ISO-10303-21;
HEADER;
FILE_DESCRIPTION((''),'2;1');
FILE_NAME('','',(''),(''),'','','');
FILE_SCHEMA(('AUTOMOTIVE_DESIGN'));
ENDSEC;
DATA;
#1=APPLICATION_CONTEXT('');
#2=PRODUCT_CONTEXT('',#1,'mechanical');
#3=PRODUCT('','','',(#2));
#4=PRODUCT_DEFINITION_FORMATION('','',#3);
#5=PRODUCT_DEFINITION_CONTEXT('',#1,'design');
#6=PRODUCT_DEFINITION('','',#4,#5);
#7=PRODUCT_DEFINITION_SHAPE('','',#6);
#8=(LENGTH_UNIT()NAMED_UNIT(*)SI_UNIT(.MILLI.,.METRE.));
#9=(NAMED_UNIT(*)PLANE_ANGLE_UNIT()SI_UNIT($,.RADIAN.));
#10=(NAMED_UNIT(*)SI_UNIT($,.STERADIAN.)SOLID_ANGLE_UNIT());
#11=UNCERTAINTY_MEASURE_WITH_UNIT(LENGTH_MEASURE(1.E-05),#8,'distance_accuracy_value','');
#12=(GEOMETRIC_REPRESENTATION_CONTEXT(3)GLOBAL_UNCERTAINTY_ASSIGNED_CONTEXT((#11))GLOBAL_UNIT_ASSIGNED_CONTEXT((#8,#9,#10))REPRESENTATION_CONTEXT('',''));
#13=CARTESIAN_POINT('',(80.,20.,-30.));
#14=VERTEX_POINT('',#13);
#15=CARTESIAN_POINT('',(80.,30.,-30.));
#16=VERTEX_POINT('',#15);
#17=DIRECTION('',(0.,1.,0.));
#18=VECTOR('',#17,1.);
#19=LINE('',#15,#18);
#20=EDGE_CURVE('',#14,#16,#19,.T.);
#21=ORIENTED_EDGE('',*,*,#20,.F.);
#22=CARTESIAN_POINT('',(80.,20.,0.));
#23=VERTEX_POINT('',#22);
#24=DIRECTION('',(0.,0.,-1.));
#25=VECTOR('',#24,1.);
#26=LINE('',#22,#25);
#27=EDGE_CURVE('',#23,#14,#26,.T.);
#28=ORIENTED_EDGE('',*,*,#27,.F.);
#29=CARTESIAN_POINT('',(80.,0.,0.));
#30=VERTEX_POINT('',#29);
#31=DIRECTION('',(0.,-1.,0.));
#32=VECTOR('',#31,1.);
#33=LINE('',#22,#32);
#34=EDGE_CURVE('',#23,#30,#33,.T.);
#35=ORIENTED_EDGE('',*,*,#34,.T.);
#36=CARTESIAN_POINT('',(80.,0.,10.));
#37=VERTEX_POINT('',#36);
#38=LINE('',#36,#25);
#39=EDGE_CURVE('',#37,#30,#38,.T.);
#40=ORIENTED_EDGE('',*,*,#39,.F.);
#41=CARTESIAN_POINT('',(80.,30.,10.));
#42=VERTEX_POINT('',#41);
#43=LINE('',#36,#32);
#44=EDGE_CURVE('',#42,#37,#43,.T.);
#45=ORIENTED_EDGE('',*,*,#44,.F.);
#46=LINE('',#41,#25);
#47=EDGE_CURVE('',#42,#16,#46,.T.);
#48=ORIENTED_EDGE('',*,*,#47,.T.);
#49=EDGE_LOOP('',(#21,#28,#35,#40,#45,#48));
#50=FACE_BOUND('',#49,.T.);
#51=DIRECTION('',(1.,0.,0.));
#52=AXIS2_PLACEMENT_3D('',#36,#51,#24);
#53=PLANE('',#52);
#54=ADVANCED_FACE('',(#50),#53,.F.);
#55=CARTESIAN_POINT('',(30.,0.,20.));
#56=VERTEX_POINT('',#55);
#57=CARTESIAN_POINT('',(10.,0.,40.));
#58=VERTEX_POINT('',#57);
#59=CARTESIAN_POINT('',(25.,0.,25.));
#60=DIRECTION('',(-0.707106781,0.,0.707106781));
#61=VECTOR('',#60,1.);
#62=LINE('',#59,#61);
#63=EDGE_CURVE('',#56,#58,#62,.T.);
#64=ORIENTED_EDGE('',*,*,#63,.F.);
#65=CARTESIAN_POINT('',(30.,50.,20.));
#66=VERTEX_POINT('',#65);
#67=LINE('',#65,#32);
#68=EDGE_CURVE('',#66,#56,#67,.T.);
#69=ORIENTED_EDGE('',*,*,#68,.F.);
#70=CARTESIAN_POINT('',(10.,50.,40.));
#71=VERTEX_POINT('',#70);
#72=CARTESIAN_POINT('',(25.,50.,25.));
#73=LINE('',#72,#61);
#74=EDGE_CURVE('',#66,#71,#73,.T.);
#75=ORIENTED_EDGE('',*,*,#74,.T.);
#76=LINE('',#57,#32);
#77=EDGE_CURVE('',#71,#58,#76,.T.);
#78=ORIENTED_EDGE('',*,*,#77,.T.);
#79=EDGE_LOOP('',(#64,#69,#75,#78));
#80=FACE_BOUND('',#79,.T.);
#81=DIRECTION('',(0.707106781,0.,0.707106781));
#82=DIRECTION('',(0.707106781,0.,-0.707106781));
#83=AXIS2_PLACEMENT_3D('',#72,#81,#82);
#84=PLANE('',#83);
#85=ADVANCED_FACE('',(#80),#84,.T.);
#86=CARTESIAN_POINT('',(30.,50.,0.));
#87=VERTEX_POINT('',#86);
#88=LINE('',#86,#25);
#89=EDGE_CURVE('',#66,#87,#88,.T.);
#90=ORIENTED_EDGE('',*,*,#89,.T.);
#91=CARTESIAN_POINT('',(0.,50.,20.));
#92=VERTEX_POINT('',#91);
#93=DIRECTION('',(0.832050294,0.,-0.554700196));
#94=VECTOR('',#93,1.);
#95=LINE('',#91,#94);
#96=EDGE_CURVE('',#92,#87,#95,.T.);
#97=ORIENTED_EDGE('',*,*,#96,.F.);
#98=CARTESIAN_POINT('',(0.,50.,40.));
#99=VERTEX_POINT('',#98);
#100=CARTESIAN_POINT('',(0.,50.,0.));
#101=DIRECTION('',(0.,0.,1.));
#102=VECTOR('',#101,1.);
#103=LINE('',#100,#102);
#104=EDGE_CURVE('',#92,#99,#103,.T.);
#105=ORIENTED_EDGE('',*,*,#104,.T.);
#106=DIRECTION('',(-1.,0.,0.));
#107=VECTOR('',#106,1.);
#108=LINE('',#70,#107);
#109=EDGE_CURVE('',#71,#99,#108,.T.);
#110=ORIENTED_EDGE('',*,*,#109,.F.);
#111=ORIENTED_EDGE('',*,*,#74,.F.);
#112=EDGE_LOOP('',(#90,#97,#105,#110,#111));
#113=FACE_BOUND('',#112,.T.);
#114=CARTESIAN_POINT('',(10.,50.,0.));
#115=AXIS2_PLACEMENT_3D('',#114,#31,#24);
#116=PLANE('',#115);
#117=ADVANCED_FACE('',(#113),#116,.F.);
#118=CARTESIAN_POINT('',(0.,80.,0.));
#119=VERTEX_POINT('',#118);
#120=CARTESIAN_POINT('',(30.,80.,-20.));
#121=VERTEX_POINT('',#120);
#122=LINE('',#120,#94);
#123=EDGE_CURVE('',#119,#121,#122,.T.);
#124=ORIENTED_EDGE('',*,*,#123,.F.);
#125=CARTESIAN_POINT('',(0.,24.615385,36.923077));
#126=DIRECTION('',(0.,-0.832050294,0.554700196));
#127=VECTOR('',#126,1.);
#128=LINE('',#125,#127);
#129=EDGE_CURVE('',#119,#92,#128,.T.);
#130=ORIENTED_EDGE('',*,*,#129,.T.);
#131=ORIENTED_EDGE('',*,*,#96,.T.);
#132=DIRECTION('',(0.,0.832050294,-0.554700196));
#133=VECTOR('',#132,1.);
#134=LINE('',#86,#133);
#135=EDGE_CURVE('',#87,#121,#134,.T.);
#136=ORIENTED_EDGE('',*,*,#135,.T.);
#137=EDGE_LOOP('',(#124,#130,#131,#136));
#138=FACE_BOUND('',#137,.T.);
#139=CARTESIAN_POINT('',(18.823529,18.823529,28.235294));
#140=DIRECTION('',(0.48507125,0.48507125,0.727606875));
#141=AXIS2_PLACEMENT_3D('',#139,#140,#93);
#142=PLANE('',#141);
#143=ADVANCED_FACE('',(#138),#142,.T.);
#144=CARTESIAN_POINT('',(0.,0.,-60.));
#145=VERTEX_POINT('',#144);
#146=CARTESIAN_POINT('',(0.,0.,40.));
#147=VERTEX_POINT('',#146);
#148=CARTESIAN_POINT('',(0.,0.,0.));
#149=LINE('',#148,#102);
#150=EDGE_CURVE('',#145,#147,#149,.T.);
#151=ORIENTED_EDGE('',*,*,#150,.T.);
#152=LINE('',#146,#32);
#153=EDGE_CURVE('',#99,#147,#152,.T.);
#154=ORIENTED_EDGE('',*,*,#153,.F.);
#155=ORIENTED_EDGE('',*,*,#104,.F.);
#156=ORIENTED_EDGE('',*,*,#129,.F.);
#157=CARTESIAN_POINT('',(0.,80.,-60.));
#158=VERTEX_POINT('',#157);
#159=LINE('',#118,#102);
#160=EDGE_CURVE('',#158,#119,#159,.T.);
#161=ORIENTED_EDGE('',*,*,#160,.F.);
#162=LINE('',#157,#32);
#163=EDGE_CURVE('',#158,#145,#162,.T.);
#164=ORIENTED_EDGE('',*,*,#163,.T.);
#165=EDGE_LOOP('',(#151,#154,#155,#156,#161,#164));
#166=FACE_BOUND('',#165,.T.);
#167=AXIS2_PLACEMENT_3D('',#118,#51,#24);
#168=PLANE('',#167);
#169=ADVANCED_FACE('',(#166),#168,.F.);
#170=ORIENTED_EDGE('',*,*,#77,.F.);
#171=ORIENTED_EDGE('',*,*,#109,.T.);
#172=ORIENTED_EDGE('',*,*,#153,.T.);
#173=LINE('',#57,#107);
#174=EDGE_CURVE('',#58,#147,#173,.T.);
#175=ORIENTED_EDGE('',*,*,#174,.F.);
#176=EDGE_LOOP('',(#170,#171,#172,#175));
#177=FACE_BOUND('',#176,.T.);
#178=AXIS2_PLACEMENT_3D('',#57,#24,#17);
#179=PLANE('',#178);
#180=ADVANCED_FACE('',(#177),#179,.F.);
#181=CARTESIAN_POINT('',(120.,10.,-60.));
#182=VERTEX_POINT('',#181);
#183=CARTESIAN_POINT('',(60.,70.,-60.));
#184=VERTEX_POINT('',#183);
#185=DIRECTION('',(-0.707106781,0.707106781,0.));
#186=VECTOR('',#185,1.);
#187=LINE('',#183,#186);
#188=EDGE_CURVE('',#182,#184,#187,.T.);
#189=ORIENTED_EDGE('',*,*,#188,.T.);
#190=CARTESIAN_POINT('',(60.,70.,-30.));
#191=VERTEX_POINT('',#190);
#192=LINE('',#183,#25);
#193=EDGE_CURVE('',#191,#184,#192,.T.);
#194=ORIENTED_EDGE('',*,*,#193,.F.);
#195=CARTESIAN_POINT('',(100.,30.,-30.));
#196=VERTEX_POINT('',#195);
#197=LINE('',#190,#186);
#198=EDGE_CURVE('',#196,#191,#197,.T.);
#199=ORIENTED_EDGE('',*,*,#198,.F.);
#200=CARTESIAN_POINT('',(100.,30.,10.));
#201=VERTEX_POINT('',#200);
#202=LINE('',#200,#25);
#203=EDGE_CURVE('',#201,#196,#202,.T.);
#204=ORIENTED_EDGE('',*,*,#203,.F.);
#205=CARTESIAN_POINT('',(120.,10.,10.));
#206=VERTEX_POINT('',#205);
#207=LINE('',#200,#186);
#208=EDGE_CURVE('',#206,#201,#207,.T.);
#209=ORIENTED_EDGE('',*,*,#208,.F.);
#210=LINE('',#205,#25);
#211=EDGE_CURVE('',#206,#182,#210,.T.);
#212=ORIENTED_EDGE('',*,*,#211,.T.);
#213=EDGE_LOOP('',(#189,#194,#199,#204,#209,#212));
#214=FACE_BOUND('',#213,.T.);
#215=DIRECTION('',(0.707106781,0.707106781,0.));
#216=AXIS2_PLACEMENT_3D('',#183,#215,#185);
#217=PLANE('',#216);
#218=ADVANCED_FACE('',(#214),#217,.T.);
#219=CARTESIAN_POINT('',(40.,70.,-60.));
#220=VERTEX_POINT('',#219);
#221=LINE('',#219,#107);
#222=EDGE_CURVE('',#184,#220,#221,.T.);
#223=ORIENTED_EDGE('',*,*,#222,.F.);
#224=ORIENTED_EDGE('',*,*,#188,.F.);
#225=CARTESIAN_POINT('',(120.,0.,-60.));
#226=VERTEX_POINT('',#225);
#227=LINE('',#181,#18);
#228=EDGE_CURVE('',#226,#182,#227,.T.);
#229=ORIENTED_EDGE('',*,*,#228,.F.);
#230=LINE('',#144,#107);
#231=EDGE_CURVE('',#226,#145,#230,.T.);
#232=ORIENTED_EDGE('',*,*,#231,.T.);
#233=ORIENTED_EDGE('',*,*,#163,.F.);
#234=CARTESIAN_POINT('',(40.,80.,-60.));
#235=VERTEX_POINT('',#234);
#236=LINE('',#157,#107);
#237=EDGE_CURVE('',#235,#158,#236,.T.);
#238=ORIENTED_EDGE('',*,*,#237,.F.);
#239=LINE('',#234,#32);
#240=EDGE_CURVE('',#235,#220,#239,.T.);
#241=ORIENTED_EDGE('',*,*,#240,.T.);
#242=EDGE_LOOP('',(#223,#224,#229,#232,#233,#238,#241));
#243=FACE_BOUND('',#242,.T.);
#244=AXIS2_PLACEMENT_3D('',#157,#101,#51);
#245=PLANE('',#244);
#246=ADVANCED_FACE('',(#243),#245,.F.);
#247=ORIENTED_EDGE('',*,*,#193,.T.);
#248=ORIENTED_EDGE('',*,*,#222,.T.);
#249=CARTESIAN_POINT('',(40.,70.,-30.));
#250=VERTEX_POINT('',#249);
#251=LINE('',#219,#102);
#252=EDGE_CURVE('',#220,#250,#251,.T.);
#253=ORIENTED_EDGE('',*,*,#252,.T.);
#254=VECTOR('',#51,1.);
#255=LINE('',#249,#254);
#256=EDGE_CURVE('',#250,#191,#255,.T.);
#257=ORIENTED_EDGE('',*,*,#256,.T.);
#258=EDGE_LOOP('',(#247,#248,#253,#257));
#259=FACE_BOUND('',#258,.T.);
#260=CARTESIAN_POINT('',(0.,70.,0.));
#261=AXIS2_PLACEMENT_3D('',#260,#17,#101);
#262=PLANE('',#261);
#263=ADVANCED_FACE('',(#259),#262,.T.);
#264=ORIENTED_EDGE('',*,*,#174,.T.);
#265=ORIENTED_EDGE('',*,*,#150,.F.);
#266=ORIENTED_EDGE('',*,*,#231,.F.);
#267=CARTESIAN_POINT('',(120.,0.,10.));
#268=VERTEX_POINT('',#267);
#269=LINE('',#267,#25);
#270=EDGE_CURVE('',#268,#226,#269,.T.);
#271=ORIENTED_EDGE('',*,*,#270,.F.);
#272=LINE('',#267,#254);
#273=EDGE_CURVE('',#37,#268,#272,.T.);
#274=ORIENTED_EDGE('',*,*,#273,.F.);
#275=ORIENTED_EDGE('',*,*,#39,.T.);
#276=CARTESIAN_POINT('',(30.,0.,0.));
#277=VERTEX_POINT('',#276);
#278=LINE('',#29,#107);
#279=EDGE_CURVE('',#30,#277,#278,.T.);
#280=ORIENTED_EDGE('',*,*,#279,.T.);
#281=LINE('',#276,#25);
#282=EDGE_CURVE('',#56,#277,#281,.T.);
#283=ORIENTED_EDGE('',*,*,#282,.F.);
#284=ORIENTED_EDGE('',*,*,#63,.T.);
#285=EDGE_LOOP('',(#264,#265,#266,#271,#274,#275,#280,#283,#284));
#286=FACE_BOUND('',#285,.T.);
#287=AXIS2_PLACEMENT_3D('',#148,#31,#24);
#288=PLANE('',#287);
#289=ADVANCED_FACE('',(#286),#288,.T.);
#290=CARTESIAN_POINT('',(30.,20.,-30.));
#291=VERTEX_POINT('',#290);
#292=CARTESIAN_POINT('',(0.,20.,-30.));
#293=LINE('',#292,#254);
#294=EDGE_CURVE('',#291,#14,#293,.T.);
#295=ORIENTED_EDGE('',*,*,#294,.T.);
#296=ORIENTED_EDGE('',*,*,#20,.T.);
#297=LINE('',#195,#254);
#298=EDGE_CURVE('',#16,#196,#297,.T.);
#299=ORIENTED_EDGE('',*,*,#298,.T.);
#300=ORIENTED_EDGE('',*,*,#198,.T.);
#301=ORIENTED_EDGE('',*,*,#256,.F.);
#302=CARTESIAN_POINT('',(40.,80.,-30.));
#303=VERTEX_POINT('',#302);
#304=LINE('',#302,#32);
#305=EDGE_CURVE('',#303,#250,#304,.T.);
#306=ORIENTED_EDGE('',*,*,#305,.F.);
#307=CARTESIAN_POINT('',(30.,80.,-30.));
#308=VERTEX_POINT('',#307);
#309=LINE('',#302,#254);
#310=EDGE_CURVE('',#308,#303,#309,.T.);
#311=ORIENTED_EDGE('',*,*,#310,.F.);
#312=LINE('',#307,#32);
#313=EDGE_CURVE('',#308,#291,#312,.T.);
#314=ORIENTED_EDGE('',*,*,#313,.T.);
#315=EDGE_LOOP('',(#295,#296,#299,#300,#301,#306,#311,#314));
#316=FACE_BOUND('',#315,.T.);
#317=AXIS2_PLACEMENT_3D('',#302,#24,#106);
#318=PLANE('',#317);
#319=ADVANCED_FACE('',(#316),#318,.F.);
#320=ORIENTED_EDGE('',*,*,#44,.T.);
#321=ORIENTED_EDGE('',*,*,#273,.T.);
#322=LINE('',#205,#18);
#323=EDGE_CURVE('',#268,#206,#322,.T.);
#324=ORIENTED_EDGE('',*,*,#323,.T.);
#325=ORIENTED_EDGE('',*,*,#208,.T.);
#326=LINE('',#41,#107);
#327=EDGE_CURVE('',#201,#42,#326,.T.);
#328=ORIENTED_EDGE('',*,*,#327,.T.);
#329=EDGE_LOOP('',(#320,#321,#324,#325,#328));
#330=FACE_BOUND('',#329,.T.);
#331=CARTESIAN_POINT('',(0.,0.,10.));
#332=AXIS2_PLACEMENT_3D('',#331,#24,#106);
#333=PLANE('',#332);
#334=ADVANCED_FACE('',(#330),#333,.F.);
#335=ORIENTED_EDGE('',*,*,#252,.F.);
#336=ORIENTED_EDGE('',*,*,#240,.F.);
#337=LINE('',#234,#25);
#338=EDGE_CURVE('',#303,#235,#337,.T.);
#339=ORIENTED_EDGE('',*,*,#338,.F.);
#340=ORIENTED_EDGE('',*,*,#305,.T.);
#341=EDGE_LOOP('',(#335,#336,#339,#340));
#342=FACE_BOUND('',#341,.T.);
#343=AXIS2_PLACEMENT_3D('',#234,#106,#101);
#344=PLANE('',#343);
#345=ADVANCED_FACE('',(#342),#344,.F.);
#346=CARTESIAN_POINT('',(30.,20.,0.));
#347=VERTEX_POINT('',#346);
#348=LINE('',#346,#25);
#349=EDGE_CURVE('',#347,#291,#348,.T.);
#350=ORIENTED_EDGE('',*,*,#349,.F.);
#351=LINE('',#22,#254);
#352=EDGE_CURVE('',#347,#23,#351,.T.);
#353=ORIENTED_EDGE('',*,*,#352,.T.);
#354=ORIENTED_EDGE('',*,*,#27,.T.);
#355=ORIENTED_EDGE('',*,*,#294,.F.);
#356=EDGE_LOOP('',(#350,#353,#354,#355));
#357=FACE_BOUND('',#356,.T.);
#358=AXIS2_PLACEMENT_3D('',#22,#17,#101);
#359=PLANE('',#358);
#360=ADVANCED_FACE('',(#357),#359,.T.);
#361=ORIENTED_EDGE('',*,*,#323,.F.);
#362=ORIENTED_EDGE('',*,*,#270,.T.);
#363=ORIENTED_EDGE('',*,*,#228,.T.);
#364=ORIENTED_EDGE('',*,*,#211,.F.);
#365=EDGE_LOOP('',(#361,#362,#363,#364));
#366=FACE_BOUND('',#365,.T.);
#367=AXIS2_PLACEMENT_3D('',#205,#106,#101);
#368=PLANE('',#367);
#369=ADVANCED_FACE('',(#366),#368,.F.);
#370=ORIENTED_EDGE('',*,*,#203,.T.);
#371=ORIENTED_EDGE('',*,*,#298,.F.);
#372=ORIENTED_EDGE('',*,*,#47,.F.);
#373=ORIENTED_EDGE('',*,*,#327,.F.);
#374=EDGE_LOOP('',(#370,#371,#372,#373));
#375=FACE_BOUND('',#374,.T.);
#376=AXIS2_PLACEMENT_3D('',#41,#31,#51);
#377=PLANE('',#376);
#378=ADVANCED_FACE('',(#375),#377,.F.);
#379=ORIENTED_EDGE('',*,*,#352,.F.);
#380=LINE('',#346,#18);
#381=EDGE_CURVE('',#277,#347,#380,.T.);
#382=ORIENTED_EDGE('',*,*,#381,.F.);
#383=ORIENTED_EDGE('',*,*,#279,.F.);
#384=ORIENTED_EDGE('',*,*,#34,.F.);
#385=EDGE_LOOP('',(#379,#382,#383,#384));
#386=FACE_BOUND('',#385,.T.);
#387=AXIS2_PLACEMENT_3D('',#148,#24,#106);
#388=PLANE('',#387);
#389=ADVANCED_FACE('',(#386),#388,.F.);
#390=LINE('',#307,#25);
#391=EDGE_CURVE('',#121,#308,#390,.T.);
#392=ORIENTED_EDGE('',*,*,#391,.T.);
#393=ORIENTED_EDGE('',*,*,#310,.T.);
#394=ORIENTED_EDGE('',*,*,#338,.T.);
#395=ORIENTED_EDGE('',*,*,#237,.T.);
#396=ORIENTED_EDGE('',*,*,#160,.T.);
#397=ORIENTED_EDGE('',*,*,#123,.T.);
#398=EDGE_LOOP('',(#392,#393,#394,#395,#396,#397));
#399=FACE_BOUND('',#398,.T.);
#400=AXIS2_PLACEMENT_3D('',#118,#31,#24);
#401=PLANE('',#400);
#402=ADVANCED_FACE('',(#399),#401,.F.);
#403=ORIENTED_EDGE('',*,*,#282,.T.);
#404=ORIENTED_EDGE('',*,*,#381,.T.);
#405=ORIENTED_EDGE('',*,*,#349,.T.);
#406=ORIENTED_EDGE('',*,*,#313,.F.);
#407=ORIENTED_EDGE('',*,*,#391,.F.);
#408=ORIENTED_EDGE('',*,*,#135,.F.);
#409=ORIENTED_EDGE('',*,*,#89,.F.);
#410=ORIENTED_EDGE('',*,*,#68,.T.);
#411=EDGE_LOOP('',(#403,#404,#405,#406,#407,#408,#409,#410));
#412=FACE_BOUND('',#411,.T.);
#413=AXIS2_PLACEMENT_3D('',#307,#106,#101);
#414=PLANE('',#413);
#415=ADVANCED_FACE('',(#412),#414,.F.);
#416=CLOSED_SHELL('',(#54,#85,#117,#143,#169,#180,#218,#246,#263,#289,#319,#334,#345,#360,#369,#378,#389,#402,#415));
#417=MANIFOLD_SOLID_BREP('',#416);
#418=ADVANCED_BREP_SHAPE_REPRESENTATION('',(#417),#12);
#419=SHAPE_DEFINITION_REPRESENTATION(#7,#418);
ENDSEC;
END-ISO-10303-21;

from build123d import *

# Parameters (mm, degrees)
BOSS_EXTRUDE1_DEPTH       = 80
SKETCH2_W                 = 60
SKETCH2_H                 = 80
BOSS_EXTRUDE6_DEPTH       = 10
CUT_EXTRUDE3_DEPTH        = 149
BOSS_EXTRUDE7_DEPTH       = 20
SKETCH11_W                = 100
SKETCH11_H                = 80
CUT_EXTRUDE4_DEPTH        = 20
CUT_EXTRUDE5_DEPTH        = 20
SKETCH14_W                = 24.037008503
SKETCH14_H                = 50
CUT_EXTRUDE6_DEPTH        = 29
SKETCH15_W                = 46.666666667
SKETCH15_H                = 50
CUT_EXTRUDE7_DEPTH        = 29
SKETCH16_W                = 20
SKETCH16_H                = 30
BOSS_EXTRUDE8_DEPTH       = 70
BOSS_EXTRUDE10_DEPTH      = 30
SKETCH21_W                = 43.205783384
SKETCH21_H                = 74.052806938
CUT_EXTRUDE9_DEPTH        = 30
SKETCH22_W                = 30
SKETCH22_H                = 20
CUT_EXTRUDE10_DEPTH       = 30
BOSS_EXTRUDE11_DEPTH      = 30
BOSS_EXTRUDE12_DEPTH      = 40
BOSS_EXTRUDE12_DEPTH_BACK = 30
SKETCH25_W                = 50
SKETCH25_H                = 20
BOSS_EXTRUDE13_DEPTH      = 60
BOSS_EXTRUDE16_DEPTH      = 50
BOSS_EXTRUDE17_DEPTH      = 20


with BuildPart() as part:
    # Sketch1 → Boss-Extrude1 (new body)
    with BuildSketch(Plane(origin=(0, 0, 0), x_dir=(1, 0, 0), z_dir=(0, 1, 0))):
        Polygon((0, 0), (0, 60), (40, 60), (40, 30), (30, 30), (30, 20), align=None)
    extrude(amount=BOSS_EXTRUDE1_DEPTH)

    # Sketch2 → Boss-Extrude6 (add)
    with BuildSketch(Plane.ZY):
        with Locations((-30, 40)):
            Rectangle(SKETCH2_W, SKETCH2_H)
        Polygon((40, 0), (0, 0), (0, 80), (20, 50), (40, 50), align=None)
    extrude(amount=-BOSS_EXTRUDE6_DEPTH)

    # Sketch8 → Cut-Extrude3 (cut)
    with BuildSketch(Plane(origin=(18.823529412, 18.823529412, 28.235294118), x_dir=(0.874474632, -0.269069118, -0.403603676), z_dir=(0.48507125, 0.48507125, 0.727606875))):
        Polygon((-21.525529408, 30.508510792), (12.780783086, 41.602514717), (12.780783086, 77.658027472), (-21.525529408, 66.564023547), align=None)
    extrude(amount=CUT_EXTRUDE3_DEPTH, mode=Mode.SUBTRACT)

    # Sketch10 → Boss-Extrude7 (add)
    with BuildSketch(Plane(origin=(18.823529412, 18.823529412, 28.235294118), x_dir=(0.874474632, -0.269069118, -0.403603676), z_dir=(0.48507125, 0.48507125, 0.727606875))):
        Polygon((-21.525529408, 30.508510792), (12.780783086, 41.602514717), (12.780783086, 77.658027472), (-21.525529408, 66.564023547), align=None)
    extrude(amount=-BOSS_EXTRUDE7_DEPTH)

    # Sketch11 → Cut-Extrude4 (cut)
    with BuildSketch(Plane.ZY):
        with Locations((-10, 40)):
            Rectangle(SKETCH11_W, SKETCH11_H)
    extrude(amount=CUT_EXTRUDE4_DEPTH, mode=Mode.SUBTRACT)

    # Sketch12 → Cut-Extrude5 (cut)
    with BuildSketch(Plane(origin=(0, 50, 0), x_dir=(1, 0, 0), z_dir=(0, 1, 0))):
        Polygon((0, -20), (10, -13.333333333), (10, -40), (0, -40), align=None)
    extrude(amount=CUT_EXTRUDE5_DEPTH, mode=Mode.SUBTRACT)

    # Sketch14 → Cut-Extrude6 (cut)
    with BuildSketch(Plane(origin=(0, 0, 0), x_dir=(0.832050294, 0, -0.554700196), z_dir=(0.554700196, 0, 0.832050294))):
        with Locations((24.037008504, 25)):
            Rectangle(SKETCH14_W, SKETCH14_H)
    extrude(amount=CUT_EXTRUDE6_DEPTH, mode=Mode.SUBTRACT)

    # Sketch15 → Cut-Extrude7 (cut)
    with BuildSketch(Plane(origin=(10, 0, 0), x_dir=(0, 0, -1), z_dir=(1, 0, 0))):
        with Locations((-16.666666666, 25)):
            Rectangle(SKETCH15_W, SKETCH15_H)
    extrude(amount=CUT_EXTRUDE7_DEPTH, mode=Mode.SUBTRACT)

    # Sketch16 → Boss-Extrude8 (add)
    with BuildSketch(Plane(origin=(0, 70, 0), x_dir=(1, 0, 0), z_dir=(0, 1, 0))):
        with Locations((50, 45)):
            Rectangle(SKETCH16_W, SKETCH16_H)
    extrude(amount=-BOSS_EXTRUDE8_DEPTH)

    # Sketch17 → Boss-Extrude10 (add)
    with BuildSketch(Plane(origin=(0, 0, -60), x_dir=(-1, 0, 0), z_dir=(0, 0, -1))):
        Polygon((-80, 10), (-80, 0), (-60, 0), (-60, 70), (-100, 10), align=None)
    extrude(amount=-BOSS_EXTRUDE10_DEPTH)

    # Sketch21 → Cut-Extrude9 (cut)
    with BuildSketch(Plane.XY.offset(-30)):
        with Locations((81.602891692, 32.973596531)):
            Rectangle(SKETCH21_W, SKETCH21_H)
    extrude(amount=-CUT_EXTRUDE9_DEPTH, mode=Mode.SUBTRACT)

    # Sketch22 → Cut-Extrude10 (cut)
    with BuildSketch(Plane.XY.offset(-30)):
        with Locations((45, 10)):
            Rectangle(SKETCH22_W, SKETCH22_H)
    extrude(amount=-CUT_EXTRUDE10_DEPTH, mode=Mode.SUBTRACT)

    # Sketch23 → Boss-Extrude11 (add)
    with BuildSketch(Plane.XY.offset(-30)):
        Polygon((60, 70), (100, 30), (80, 30), (80, 20), (60, 20), align=None)
    extrude(amount=-BOSS_EXTRUDE11_DEPTH)

    # Sketch24 → Boss-Extrude12 (add, two sides)
    with BuildSketch(Plane.XY.offset(-30)) as boss_extrude12_sk:
        Polygon((100, 30), (120, 10), (120, 0), (80, 0), (80, 30), align=None)
    extrude(amount=BOSS_EXTRUDE12_DEPTH)
    extrude(boss_extrude12_sk.sketch, amount=-BOSS_EXTRUDE12_DEPTH_BACK)

    # Sketch25 → Boss-Extrude13 (add)
    with BuildSketch(Plane(origin=(0, 0, -60), x_dir=(-1, 0, 0), z_dir=(0, 0, -1))):
        with Locations((-55, 10)):
            Rectangle(SKETCH25_W, SKETCH25_H)
    extrude(amount=-BOSS_EXTRUDE13_DEPTH)

    # Sketch28 → Boss-Extrude16 (add)
    with BuildSketch(Plane(origin=(0, 0, 0), x_dir=(-1, 0, 0), z_dir=(0, -1, 0))):
        Polygon((-10, 6.666666667), (-30, 20), (-10, -6.666666667), align=None)
        Polygon((-10, -6.666666667), (-30, 20), (-30, 0), (-30, -20), (-10, -40), align=None)
    extrude(amount=-BOSS_EXTRUDE16_DEPTH)

    # Sketch29 → Boss-Extrude17 (add)
    with BuildSketch(Plane(origin=(30, 0, 0), x_dir=(0, 0, -1), z_dir=(1, 0, 0))):
        Polygon((0, 50), (20, 50), (20, 80), align=None)
    extrude(amount=-BOSS_EXTRUDE17_DEPTH)


solid = part.part
